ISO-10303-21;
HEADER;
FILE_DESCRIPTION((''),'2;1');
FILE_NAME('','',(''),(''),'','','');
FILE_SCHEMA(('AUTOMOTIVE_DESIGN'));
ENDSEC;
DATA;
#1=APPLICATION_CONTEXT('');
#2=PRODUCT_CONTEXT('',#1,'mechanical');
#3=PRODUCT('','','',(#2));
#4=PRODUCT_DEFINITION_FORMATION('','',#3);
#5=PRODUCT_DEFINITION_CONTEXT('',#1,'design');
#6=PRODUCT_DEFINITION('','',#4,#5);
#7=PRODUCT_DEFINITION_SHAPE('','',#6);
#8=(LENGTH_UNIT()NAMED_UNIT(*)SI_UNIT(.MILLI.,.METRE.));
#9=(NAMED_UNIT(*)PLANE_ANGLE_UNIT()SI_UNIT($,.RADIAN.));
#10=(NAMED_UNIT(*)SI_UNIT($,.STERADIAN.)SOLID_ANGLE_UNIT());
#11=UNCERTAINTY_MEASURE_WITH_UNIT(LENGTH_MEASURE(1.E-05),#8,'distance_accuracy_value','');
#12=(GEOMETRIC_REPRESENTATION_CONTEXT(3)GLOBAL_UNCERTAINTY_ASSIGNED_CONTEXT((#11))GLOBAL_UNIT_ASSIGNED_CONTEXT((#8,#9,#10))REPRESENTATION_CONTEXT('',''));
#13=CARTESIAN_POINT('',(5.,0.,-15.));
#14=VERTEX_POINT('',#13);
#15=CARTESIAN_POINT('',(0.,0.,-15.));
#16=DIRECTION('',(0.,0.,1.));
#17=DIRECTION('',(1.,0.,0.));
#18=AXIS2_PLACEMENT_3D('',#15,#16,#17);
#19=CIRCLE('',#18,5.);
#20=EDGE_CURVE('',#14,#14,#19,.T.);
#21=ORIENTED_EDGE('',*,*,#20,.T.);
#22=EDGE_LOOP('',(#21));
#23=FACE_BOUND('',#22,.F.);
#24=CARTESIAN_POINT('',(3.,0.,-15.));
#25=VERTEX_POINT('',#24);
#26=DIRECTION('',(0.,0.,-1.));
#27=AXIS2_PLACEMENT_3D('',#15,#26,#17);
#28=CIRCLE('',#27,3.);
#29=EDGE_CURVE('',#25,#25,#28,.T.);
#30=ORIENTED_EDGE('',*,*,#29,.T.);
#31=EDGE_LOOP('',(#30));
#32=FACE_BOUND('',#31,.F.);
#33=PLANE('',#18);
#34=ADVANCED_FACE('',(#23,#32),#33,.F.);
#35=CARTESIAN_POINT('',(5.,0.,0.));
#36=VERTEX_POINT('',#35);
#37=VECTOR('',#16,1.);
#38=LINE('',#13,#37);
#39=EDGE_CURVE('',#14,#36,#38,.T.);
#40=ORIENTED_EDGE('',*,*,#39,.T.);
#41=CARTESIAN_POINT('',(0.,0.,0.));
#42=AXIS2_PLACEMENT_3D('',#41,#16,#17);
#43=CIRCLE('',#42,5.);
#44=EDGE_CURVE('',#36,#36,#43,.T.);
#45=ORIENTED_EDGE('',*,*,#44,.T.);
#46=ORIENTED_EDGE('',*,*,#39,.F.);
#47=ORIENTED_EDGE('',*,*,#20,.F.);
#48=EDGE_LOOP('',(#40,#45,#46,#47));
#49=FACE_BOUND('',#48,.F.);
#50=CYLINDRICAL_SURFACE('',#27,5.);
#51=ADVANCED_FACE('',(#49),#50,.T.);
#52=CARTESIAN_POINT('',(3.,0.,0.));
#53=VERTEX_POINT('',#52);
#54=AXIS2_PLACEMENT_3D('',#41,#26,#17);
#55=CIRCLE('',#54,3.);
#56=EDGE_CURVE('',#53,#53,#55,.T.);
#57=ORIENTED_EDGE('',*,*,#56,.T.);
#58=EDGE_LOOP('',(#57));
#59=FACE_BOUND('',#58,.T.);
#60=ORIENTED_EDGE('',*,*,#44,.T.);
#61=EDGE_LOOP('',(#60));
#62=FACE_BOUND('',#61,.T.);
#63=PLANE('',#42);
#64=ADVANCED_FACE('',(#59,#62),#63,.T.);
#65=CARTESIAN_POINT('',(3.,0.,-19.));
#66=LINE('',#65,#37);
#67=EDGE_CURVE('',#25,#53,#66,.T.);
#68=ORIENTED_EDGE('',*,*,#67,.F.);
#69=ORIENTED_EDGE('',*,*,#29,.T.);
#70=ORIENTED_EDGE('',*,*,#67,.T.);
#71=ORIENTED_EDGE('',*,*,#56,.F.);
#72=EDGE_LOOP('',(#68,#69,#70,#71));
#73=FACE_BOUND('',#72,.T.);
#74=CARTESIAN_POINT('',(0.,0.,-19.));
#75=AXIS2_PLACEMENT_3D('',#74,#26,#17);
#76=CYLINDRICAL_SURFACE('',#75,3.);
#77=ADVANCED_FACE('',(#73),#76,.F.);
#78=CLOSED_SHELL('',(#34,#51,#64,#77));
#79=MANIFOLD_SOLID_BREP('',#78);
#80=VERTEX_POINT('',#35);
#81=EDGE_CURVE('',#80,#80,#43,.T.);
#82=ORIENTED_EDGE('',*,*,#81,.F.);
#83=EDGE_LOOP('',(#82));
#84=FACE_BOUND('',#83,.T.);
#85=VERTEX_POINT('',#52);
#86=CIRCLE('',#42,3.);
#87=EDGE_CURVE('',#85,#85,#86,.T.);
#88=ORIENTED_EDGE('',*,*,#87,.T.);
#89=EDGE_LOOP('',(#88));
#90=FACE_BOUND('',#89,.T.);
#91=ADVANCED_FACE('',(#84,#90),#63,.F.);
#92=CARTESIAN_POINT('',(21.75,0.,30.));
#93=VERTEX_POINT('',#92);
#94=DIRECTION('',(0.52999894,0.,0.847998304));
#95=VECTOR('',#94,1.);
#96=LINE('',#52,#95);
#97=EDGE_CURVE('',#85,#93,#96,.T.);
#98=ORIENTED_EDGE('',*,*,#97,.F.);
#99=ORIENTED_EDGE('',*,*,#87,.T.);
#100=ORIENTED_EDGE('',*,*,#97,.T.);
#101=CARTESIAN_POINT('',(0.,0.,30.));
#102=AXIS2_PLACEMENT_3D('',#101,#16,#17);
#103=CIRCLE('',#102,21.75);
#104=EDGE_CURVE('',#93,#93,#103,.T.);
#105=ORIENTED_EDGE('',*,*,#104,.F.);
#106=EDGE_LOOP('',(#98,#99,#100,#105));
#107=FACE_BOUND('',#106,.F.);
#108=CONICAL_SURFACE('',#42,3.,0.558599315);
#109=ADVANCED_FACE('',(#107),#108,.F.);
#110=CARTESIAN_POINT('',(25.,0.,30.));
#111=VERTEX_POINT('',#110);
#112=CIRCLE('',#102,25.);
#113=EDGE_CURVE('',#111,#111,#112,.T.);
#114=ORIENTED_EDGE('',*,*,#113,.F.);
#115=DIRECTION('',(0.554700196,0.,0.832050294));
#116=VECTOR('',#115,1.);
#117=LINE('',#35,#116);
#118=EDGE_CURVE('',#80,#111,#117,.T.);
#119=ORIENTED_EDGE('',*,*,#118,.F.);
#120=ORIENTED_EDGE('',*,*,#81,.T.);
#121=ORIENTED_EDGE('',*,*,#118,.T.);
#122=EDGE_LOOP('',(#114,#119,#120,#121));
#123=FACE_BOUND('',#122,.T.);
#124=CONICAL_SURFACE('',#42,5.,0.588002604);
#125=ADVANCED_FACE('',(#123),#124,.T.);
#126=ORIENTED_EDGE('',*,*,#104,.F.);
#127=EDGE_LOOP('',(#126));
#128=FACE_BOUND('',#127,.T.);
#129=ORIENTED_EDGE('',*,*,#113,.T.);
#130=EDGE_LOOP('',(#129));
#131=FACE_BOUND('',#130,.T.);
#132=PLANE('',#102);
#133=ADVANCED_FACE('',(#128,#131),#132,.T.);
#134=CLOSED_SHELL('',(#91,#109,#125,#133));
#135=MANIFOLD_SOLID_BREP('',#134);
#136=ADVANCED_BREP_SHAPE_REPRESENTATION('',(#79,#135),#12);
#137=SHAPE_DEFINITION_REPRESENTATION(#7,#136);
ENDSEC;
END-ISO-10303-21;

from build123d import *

# Parameters (mm, degrees)
CYLINDER001_R     = 3
CYLINDER001_DEPTH = 23
CYLINDER_R        = 5
CYLINDER_DEPTH    = 15


with BuildPart() as cone001:
    # Cone001 → Cone001 (revolve)
    with BuildSketch(Plane.XZ):
        Polygon((0, 0), (3, 0), (23, 32), (0, 32), align=None)
    revolve(axis=Axis((0, 0, 0), (0, 0, 1)))


with BuildPart() as cut:
    # Cone → Cone (revolve)
    with BuildSketch(Plane.XZ):
        Polygon((0, 0), (5, 0), (25, 30), (0, 30), align=None)
    revolve(axis=Axis((0, 0, 0), (0, 0, 1)))

    # Cut: cut Cone001
    add(cone001.part, mode=Mode.SUBTRACT)


with BuildPart() as cylinder001:
    # Cylinder001 → Cylinder001 (new body)
    with BuildSketch(Plane.XY.offset(-19)):
        Circle(CYLINDER001_R)
    extrude(amount=CYLINDER001_DEPTH)


with BuildPart() as cut001:
    # Cylinder → Cylinder (new body)
    with BuildSketch(Plane.XY.offset(-15)):
        Circle(CYLINDER_R)
    extrude(amount=CYLINDER_DEPTH)

    # Cut001: cut Cylinder001
    add(cylinder001.part, mode=Mode.SUBTRACT)


solid = Compound([cut.part, cut001.part])
